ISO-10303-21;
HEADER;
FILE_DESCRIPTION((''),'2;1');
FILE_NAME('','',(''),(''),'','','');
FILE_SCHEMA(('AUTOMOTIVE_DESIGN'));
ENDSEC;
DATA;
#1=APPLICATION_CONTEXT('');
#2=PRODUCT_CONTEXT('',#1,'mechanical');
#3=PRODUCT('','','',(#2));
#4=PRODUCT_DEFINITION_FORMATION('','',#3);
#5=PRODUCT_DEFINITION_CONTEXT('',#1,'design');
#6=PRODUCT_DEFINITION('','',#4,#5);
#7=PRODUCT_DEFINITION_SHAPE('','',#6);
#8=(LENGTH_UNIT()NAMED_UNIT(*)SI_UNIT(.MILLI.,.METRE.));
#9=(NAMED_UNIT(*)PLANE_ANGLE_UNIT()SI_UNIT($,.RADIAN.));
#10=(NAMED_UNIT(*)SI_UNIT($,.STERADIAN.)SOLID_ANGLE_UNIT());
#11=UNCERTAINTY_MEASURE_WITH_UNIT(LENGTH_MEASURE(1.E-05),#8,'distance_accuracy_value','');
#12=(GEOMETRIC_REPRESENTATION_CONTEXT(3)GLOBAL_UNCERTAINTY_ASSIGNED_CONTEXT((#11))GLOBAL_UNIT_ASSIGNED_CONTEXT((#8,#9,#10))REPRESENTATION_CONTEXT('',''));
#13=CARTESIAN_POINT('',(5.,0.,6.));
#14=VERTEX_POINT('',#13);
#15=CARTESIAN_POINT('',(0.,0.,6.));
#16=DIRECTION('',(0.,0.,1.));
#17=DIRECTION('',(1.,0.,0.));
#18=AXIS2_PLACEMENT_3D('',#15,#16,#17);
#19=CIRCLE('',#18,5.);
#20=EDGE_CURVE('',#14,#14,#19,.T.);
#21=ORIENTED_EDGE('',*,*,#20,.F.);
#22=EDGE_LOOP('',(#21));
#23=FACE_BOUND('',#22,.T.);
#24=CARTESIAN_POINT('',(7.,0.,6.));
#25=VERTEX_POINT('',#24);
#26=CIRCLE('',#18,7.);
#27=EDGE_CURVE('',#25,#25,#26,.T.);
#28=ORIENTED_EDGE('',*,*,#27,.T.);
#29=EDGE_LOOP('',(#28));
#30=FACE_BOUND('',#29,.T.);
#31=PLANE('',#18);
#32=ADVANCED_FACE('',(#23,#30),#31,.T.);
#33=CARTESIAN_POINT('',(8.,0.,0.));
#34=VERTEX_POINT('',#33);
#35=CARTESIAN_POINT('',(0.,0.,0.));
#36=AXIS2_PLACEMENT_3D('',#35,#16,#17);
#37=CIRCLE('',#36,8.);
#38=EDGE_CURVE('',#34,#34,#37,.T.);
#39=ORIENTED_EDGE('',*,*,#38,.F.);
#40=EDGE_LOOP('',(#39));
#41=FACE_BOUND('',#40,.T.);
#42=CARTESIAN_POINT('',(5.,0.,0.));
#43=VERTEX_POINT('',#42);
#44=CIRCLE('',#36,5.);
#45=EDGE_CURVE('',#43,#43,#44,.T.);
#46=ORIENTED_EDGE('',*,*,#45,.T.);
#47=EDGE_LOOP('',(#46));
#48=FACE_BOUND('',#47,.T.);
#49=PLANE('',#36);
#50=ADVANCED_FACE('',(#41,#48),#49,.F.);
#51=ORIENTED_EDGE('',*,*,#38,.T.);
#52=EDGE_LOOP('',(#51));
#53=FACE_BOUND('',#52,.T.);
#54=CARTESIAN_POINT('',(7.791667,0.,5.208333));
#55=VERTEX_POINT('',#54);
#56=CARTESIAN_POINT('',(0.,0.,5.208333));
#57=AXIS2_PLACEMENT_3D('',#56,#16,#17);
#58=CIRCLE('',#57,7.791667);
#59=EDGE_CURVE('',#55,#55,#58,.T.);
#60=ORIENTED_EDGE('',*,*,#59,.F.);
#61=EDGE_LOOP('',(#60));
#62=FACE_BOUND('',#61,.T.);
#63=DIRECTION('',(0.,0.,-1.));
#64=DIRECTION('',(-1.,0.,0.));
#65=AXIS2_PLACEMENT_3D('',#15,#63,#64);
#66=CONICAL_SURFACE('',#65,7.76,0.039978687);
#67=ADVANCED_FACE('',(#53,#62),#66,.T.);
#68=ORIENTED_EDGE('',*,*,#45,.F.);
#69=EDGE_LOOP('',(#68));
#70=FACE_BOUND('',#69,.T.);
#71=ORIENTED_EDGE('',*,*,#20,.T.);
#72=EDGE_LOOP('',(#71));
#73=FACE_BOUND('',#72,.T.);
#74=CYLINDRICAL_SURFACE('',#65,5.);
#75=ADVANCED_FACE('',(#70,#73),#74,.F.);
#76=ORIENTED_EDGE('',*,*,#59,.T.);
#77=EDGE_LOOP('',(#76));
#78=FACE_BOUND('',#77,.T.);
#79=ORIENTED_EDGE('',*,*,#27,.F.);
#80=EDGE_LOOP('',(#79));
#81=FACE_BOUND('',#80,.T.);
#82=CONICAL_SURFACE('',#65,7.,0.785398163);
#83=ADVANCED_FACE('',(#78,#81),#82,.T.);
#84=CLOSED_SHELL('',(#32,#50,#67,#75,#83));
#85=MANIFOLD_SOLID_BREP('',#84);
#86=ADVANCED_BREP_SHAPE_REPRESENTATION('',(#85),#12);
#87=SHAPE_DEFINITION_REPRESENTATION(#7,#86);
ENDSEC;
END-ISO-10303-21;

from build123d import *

# Parameters (mm, degrees)
SKETCH_1_R      = 8
SKETCH_1_R_2    = 5
EXTRUDE_1_DEPTH = 6
CHAMFER_1_SIZE  = 1


with BuildPart() as part:
    # Эскиз1 → Вытянуть1 (new body)
    with BuildSketch(Plane.XY):
        Circle(SKETCH_1_R)
        Circle(SKETCH_1_R_2, mode=Mode.SUBTRACT)
    extrude(amount=EXTRUDE_1_DEPTH)

    # Фаска1
    chamfer_1_edges = [part.edges().sort_by_distance(p)[0] for p in [
        (-8, 0, 6),
    ]]
    chamfer(chamfer_1_edges, length=CHAMFER_1_SIZE)

    # Эскиз4 → Вырез-Повернуть1 (revolve, cut)
    with BuildSketch(Plane(origin=(0, 0, 0), x_dir=(0, 0, -1), z_dir=(1, 0, 0)), mode=Mode.PRIVATE) as cut_revolve_1_sk:
        Polygon((0, 8), (-6, 7.76), (-6, 8), align=None)
    revolve(cut_revolve_1_sk.sketch.rotate(Axis((0, 0, 6), (0, 0, -1)), 90), axis=Axis((0, 0, 6), (0, 0, -1)), mode=Mode.SUBTRACT)


solid = part.part
